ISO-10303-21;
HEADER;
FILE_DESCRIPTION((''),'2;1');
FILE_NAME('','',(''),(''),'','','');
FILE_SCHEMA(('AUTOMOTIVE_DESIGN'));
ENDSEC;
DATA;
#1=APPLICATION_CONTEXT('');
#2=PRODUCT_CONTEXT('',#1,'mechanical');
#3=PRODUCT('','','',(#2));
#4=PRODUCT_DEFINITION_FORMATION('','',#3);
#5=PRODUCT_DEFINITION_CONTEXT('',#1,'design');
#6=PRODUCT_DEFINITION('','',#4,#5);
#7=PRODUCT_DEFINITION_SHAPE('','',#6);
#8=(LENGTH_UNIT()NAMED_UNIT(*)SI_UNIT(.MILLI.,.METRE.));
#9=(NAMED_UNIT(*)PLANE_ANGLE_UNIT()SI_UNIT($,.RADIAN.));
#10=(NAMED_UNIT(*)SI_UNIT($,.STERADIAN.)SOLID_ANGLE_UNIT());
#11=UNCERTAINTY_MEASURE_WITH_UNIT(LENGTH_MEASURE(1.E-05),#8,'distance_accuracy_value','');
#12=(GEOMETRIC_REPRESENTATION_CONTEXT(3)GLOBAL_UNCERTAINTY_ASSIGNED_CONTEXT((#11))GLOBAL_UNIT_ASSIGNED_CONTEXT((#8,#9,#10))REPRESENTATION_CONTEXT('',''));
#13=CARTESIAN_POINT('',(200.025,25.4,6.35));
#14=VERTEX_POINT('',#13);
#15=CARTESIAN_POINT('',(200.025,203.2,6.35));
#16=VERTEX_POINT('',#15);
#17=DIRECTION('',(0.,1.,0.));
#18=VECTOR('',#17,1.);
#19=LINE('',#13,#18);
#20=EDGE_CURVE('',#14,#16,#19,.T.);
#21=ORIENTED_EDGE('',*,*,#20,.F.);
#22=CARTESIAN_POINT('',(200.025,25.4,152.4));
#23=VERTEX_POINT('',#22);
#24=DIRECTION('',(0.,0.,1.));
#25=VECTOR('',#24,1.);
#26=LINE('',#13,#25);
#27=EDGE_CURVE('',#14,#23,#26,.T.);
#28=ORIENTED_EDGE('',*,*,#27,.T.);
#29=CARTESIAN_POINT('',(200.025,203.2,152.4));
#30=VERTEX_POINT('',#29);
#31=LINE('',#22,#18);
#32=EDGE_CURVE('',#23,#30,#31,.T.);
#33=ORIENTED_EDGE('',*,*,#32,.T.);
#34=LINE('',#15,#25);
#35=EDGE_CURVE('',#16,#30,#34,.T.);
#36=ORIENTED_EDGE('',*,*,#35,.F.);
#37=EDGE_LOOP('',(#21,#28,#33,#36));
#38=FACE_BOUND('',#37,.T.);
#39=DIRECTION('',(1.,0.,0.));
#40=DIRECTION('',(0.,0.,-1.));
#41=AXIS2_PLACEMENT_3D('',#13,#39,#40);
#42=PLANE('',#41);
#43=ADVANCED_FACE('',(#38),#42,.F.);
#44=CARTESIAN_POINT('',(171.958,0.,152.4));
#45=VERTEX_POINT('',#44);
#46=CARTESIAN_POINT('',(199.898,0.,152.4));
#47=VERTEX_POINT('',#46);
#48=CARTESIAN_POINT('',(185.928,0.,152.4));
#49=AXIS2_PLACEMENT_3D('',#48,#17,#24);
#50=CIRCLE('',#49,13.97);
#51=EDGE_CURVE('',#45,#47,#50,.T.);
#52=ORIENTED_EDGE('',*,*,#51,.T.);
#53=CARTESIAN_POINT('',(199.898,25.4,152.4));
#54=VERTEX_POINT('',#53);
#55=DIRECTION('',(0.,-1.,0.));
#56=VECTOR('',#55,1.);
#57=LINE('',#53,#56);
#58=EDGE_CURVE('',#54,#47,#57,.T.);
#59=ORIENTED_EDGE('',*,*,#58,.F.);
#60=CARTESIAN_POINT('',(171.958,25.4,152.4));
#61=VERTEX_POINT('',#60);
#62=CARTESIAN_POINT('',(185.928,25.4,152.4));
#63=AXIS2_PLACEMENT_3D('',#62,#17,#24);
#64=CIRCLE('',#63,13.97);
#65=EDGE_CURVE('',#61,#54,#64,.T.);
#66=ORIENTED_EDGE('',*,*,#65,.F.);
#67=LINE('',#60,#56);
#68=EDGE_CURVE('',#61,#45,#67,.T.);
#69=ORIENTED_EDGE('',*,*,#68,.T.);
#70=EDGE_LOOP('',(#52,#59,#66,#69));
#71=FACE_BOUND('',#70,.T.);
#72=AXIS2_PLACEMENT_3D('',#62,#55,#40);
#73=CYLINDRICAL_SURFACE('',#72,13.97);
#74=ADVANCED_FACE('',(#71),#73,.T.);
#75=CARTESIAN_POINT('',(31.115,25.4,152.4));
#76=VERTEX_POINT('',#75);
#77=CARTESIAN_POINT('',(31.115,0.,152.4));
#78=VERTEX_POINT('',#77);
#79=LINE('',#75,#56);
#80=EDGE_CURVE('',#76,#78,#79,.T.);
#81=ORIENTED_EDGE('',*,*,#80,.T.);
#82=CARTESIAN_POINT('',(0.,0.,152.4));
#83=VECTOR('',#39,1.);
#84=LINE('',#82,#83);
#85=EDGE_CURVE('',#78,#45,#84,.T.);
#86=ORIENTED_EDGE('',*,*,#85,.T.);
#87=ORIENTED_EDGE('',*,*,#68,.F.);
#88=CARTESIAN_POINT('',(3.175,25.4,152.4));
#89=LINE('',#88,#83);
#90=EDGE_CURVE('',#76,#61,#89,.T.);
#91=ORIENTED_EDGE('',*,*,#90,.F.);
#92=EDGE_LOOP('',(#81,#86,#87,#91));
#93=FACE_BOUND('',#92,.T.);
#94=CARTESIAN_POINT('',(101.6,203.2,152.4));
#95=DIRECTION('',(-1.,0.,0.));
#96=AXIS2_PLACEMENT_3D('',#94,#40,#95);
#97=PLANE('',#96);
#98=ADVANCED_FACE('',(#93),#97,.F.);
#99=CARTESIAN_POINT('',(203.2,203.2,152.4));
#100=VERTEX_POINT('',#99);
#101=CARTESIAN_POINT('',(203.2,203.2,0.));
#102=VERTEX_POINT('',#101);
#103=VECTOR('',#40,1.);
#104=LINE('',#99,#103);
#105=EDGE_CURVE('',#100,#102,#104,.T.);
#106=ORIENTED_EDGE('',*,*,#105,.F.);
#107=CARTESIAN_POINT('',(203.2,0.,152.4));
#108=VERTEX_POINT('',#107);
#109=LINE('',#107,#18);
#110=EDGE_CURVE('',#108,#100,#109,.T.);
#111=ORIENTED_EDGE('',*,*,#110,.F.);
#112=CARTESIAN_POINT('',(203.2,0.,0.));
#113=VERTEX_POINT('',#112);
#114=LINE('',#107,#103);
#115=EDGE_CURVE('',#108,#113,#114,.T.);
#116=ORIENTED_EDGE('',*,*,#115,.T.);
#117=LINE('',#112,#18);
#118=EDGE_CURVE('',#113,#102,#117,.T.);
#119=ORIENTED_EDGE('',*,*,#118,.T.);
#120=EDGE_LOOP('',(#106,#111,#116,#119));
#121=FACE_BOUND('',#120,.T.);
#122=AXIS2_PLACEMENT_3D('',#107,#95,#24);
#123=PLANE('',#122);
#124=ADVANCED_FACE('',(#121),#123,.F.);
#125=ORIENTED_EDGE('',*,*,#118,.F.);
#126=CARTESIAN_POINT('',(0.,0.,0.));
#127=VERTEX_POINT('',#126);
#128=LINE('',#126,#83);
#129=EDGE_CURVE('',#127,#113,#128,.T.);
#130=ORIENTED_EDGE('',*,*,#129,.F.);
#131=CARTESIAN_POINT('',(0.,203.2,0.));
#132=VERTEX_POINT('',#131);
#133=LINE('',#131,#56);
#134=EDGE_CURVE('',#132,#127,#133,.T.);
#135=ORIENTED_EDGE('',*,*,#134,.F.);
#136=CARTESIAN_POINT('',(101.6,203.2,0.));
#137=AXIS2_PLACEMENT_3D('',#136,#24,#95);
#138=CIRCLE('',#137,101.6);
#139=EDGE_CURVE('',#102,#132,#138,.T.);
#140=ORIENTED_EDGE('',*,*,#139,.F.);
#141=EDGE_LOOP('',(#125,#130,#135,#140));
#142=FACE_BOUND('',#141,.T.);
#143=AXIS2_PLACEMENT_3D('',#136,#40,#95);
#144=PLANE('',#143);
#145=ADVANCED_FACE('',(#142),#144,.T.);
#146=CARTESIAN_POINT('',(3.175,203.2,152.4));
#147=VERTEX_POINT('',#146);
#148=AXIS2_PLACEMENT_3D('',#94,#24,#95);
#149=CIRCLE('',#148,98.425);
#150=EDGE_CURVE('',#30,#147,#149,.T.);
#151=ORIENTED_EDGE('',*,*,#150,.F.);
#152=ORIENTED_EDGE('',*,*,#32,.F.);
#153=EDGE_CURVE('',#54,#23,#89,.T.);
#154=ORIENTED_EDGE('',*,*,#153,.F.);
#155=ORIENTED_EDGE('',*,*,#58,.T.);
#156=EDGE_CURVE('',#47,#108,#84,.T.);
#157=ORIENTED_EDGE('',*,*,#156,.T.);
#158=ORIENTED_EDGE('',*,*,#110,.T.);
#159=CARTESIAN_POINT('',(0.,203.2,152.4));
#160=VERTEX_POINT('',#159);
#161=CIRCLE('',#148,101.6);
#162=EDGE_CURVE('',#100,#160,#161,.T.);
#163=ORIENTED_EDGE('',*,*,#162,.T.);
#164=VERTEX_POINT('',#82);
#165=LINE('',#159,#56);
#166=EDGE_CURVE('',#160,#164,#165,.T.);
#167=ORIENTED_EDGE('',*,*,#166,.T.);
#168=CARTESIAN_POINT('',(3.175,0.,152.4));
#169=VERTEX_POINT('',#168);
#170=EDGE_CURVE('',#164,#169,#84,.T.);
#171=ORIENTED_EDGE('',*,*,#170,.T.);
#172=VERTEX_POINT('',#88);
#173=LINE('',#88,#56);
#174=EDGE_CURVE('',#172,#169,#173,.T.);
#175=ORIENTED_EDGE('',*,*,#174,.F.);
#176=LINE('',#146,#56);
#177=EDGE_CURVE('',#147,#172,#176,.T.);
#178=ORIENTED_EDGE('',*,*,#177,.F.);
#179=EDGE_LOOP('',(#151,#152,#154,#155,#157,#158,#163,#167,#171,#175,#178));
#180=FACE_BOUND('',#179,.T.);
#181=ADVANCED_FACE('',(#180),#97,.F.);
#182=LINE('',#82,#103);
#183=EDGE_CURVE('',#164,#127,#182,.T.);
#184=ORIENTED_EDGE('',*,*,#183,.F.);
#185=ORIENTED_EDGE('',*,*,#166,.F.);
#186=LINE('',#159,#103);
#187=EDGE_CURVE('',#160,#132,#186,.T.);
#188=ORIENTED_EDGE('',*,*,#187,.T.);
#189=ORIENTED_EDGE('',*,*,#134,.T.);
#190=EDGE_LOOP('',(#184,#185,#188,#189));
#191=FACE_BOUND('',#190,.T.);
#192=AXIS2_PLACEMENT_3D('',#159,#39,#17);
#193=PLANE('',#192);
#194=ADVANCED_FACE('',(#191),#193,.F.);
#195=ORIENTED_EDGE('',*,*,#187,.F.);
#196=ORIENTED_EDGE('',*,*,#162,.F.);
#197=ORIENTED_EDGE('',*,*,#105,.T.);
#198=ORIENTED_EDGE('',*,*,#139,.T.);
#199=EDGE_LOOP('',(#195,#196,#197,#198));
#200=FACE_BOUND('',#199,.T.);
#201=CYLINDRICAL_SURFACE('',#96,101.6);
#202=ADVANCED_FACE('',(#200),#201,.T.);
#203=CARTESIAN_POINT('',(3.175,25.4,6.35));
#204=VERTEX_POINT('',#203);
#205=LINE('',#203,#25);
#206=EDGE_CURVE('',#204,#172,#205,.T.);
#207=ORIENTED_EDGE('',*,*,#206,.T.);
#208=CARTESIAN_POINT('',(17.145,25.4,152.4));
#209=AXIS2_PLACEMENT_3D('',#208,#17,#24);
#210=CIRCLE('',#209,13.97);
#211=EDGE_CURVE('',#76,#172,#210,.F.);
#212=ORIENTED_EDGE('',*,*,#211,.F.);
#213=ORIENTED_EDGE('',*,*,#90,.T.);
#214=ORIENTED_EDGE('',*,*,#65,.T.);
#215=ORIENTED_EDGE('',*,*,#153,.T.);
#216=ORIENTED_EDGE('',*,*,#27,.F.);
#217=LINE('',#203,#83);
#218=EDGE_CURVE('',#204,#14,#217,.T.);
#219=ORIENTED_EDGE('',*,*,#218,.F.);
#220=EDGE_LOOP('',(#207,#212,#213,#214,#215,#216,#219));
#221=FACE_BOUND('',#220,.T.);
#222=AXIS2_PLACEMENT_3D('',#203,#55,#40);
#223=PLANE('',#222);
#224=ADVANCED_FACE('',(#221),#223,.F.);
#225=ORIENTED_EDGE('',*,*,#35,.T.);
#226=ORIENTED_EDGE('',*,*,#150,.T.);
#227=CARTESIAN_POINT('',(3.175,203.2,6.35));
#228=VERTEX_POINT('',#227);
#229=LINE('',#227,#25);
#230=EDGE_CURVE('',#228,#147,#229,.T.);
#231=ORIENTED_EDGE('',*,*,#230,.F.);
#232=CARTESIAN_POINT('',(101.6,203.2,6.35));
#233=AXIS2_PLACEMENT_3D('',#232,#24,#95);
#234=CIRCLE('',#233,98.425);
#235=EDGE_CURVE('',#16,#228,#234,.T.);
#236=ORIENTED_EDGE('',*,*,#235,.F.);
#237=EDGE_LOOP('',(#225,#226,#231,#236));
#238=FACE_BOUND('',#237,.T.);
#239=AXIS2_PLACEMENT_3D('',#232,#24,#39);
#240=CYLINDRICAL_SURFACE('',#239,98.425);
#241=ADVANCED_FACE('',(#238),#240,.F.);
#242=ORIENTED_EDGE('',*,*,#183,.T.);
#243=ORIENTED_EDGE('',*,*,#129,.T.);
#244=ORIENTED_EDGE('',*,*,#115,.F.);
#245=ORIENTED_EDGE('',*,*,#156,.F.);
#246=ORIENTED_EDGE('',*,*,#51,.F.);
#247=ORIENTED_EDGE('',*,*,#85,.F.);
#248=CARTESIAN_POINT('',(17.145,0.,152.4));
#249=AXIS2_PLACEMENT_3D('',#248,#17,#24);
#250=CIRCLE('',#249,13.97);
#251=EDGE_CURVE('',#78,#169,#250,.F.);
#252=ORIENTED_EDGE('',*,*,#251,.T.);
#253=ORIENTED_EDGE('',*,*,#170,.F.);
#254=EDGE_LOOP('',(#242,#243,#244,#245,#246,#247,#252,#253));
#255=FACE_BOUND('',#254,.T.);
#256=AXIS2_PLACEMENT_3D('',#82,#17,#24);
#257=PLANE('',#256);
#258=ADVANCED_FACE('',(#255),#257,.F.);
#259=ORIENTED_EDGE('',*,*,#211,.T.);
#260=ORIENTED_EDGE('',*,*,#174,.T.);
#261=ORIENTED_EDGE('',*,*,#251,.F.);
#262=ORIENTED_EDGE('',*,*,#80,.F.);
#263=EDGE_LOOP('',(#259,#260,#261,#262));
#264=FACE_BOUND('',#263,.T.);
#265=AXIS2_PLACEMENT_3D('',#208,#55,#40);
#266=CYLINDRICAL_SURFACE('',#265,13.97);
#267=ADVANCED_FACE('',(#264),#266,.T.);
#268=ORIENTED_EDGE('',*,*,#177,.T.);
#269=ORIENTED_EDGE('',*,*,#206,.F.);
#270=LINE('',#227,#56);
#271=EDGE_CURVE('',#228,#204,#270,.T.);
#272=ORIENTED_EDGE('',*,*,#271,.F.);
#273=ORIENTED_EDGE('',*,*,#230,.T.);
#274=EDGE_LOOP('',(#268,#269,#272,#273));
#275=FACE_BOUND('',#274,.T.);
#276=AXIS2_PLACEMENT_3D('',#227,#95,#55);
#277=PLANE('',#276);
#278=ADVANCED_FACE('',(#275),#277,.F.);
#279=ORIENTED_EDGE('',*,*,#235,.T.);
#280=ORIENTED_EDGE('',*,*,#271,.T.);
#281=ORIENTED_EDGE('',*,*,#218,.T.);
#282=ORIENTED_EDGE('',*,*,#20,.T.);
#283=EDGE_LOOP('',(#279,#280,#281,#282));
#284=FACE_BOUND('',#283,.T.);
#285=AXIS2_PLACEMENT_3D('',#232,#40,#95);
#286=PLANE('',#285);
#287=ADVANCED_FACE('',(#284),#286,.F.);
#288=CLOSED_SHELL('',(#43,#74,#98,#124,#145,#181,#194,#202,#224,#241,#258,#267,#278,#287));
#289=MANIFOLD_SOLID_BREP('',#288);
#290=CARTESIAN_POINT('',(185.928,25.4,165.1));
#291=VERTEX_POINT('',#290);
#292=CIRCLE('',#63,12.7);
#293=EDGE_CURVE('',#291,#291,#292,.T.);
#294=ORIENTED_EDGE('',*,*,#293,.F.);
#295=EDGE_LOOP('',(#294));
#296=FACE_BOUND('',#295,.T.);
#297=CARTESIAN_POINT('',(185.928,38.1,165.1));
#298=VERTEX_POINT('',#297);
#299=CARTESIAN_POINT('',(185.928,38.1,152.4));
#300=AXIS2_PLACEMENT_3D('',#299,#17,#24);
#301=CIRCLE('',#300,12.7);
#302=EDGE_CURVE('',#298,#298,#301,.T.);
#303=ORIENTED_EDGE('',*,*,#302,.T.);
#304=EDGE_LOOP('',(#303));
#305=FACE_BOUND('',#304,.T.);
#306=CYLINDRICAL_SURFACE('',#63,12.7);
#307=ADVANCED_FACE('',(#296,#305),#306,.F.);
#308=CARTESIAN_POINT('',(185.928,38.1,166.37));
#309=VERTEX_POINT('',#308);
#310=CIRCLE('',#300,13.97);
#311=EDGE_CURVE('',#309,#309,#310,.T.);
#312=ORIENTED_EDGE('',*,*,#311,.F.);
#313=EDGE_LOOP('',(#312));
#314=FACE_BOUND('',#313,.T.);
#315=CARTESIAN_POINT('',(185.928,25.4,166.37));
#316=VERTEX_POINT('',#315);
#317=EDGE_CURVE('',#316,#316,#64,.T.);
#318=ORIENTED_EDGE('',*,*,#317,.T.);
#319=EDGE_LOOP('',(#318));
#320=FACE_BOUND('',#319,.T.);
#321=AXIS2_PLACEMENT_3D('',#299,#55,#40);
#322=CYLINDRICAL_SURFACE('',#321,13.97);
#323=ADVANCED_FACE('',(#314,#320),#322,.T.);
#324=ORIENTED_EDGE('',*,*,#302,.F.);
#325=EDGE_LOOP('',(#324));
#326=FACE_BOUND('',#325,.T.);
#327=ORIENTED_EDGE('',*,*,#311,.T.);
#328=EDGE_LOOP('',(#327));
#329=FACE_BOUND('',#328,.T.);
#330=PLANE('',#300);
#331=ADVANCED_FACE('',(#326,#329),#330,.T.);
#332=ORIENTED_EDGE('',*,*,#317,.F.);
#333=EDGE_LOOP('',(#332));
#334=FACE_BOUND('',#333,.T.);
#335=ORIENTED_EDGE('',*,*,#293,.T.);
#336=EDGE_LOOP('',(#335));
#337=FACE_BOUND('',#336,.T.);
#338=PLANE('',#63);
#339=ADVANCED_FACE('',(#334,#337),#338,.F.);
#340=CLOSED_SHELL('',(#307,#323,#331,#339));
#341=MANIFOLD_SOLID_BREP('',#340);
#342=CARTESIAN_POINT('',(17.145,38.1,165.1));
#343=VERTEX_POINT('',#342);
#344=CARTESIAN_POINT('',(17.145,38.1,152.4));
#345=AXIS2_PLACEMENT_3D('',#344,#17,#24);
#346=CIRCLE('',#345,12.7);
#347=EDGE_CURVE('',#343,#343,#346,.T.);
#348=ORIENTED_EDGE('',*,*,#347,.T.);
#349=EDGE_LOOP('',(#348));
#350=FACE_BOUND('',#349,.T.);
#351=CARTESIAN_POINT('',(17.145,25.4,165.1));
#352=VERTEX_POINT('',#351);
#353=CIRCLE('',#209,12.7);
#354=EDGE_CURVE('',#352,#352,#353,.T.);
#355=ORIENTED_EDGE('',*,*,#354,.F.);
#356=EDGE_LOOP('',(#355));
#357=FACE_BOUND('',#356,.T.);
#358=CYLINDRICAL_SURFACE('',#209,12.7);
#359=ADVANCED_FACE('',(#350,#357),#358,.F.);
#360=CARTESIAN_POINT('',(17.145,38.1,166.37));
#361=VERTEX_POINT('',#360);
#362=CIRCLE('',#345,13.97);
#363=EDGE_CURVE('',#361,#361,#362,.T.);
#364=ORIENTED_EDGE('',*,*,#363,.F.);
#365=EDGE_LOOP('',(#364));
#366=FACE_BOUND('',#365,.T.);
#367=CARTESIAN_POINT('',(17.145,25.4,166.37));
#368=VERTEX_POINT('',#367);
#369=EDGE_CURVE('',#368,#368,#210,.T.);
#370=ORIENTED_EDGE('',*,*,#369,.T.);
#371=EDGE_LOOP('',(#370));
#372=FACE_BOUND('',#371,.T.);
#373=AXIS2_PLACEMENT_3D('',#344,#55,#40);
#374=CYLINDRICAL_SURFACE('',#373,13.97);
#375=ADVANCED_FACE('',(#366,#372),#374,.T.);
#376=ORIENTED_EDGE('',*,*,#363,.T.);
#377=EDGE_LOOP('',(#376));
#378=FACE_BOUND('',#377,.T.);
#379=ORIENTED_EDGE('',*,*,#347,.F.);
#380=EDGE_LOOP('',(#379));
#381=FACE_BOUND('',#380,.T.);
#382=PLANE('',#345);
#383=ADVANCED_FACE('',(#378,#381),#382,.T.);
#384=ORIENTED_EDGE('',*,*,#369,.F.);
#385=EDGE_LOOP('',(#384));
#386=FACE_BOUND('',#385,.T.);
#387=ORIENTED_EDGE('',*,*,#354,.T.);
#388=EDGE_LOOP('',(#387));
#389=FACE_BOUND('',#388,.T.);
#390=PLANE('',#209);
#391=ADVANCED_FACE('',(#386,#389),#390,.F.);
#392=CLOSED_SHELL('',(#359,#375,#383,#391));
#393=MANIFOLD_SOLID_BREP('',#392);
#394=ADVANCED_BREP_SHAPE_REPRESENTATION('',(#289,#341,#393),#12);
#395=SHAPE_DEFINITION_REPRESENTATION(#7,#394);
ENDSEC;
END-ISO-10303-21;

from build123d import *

# Parameters (mm, degrees)
BOSS_EXTRUDE1_DEPTH    = 152.4
CUT_EXTRUDE1_DEPTH     = 146.05
BOSS_EXTRUDE4_DEPTH    = 25.4
SKETCH5_R              = 13.97
BOSS_EXTRUDE10_DEPTH   = 12.7
BOSS_EXTRUDE10_2_DEPTH = 12.7
SKETCH6_R              = 12.7
CUT_EXTRUDE2_DEPTH     = 12.7


with BuildPart() as part:
    # Sketch1 → Boss-Extrude1 (new body)
    with BuildSketch(Plane.XY):
        with BuildLine():
            Line((0, 203.2), (0, 0))
            Line((0, 0), (203.2, 0))
            Line((203.2, 0), (203.2, 203.2))
            ThreePointArc((203.2, 203.2), (101.6, 304.8), (0, 203.2))
        make_face()
    extrude(amount=BOSS_EXTRUDE1_DEPTH)

    # Sketch2 → Cut-Extrude1 (cut)
    with BuildSketch(Plane.XY.offset(152.4)):
        with BuildLine():
            Line((3.175, 203.2), (3.175, 25.4))
            Line((3.175, 25.4), (200.025, 25.4))
            Line((200.025, 25.4), (200.025, 203.2))
            ThreePointArc((200.025, 203.2), (101.6, 301.625), (3.175, 203.2))
        make_face()
    extrude(amount=-CUT_EXTRUDE1_DEPTH, mode=Mode.SUBTRACT)

    # Sketch4 → Boss-Extrude4 (add)
    with BuildSketch(Plane(origin=(0, 0, 0), x_dir=(1, 0, 0), z_dir=(0, 1, 0))):
        with BuildLine():
            ThreePointArc((31.115, -152.4), (17.145, -166.37), (3.175, -152.4))
            Line((3.175, -152.4), (31.115, -152.4))
        make_face()
        with BuildLine():
            Line((171.958, -152.4), (199.898, -152.4))
            ThreePointArc((199.898, -152.4), (185.928, -166.37), (171.958, -152.4))
        make_face()
    extrude(amount=BOSS_EXTRUDE4_DEPTH)


with BuildPart() as body_2:
    # Sketch5 → Boss-Extrude10 (new body)
    with BuildSketch(Plane(origin=(0, 25.4, 0), x_dir=(1, 0, 0), z_dir=(0, 1, 0))):
        with Locations((17.145, -152.4)):
            Circle(SKETCH5_R)
    extrude(amount=BOSS_EXTRUDE10_DEPTH)


with BuildPart() as body_3:
    # Sketch5 → Boss-Extrude10 2 (new body)
    with BuildSketch(Plane(origin=(0, 25.4, 0), x_dir=(1, 0, 0), z_dir=(0, 1, 0))):
        with Locations((185.928, -152.4)):
            Circle(SKETCH5_R)
    extrude(amount=BOSS_EXTRUDE10_2_DEPTH)


with BuildPart() as cut_extrude2_tool:
    # Sketch6 → Cut-Extrude2 (new body)
    with BuildSketch(Plane(origin=(0, 38.1, 0), x_dir=(1, 0, 0), z_dir=(0, 1, 0))):
        with Locations((17.145, -152.4)):
            Circle(SKETCH6_R)
        with Locations((185.928, -152.4)):
            Circle(SKETCH6_R)
    extrude(amount=-CUT_EXTRUDE2_DEPTH)


with BuildPart() as body_2_1:
    add(body_2.part)

    # Cut-Extrude2: cut by cut_extrude2_tool
    add(cut_extrude2_tool.part, mode=Mode.SUBTRACT)


with BuildPart() as body_3_1:
    add(body_3.part)

    # Cut-Extrude2: cut by cut_extrude2_tool
    add(cut_extrude2_tool.part, mode=Mode.SUBTRACT)


solid = Compound([part.part, body_2_1.part, body_3_1.part])
